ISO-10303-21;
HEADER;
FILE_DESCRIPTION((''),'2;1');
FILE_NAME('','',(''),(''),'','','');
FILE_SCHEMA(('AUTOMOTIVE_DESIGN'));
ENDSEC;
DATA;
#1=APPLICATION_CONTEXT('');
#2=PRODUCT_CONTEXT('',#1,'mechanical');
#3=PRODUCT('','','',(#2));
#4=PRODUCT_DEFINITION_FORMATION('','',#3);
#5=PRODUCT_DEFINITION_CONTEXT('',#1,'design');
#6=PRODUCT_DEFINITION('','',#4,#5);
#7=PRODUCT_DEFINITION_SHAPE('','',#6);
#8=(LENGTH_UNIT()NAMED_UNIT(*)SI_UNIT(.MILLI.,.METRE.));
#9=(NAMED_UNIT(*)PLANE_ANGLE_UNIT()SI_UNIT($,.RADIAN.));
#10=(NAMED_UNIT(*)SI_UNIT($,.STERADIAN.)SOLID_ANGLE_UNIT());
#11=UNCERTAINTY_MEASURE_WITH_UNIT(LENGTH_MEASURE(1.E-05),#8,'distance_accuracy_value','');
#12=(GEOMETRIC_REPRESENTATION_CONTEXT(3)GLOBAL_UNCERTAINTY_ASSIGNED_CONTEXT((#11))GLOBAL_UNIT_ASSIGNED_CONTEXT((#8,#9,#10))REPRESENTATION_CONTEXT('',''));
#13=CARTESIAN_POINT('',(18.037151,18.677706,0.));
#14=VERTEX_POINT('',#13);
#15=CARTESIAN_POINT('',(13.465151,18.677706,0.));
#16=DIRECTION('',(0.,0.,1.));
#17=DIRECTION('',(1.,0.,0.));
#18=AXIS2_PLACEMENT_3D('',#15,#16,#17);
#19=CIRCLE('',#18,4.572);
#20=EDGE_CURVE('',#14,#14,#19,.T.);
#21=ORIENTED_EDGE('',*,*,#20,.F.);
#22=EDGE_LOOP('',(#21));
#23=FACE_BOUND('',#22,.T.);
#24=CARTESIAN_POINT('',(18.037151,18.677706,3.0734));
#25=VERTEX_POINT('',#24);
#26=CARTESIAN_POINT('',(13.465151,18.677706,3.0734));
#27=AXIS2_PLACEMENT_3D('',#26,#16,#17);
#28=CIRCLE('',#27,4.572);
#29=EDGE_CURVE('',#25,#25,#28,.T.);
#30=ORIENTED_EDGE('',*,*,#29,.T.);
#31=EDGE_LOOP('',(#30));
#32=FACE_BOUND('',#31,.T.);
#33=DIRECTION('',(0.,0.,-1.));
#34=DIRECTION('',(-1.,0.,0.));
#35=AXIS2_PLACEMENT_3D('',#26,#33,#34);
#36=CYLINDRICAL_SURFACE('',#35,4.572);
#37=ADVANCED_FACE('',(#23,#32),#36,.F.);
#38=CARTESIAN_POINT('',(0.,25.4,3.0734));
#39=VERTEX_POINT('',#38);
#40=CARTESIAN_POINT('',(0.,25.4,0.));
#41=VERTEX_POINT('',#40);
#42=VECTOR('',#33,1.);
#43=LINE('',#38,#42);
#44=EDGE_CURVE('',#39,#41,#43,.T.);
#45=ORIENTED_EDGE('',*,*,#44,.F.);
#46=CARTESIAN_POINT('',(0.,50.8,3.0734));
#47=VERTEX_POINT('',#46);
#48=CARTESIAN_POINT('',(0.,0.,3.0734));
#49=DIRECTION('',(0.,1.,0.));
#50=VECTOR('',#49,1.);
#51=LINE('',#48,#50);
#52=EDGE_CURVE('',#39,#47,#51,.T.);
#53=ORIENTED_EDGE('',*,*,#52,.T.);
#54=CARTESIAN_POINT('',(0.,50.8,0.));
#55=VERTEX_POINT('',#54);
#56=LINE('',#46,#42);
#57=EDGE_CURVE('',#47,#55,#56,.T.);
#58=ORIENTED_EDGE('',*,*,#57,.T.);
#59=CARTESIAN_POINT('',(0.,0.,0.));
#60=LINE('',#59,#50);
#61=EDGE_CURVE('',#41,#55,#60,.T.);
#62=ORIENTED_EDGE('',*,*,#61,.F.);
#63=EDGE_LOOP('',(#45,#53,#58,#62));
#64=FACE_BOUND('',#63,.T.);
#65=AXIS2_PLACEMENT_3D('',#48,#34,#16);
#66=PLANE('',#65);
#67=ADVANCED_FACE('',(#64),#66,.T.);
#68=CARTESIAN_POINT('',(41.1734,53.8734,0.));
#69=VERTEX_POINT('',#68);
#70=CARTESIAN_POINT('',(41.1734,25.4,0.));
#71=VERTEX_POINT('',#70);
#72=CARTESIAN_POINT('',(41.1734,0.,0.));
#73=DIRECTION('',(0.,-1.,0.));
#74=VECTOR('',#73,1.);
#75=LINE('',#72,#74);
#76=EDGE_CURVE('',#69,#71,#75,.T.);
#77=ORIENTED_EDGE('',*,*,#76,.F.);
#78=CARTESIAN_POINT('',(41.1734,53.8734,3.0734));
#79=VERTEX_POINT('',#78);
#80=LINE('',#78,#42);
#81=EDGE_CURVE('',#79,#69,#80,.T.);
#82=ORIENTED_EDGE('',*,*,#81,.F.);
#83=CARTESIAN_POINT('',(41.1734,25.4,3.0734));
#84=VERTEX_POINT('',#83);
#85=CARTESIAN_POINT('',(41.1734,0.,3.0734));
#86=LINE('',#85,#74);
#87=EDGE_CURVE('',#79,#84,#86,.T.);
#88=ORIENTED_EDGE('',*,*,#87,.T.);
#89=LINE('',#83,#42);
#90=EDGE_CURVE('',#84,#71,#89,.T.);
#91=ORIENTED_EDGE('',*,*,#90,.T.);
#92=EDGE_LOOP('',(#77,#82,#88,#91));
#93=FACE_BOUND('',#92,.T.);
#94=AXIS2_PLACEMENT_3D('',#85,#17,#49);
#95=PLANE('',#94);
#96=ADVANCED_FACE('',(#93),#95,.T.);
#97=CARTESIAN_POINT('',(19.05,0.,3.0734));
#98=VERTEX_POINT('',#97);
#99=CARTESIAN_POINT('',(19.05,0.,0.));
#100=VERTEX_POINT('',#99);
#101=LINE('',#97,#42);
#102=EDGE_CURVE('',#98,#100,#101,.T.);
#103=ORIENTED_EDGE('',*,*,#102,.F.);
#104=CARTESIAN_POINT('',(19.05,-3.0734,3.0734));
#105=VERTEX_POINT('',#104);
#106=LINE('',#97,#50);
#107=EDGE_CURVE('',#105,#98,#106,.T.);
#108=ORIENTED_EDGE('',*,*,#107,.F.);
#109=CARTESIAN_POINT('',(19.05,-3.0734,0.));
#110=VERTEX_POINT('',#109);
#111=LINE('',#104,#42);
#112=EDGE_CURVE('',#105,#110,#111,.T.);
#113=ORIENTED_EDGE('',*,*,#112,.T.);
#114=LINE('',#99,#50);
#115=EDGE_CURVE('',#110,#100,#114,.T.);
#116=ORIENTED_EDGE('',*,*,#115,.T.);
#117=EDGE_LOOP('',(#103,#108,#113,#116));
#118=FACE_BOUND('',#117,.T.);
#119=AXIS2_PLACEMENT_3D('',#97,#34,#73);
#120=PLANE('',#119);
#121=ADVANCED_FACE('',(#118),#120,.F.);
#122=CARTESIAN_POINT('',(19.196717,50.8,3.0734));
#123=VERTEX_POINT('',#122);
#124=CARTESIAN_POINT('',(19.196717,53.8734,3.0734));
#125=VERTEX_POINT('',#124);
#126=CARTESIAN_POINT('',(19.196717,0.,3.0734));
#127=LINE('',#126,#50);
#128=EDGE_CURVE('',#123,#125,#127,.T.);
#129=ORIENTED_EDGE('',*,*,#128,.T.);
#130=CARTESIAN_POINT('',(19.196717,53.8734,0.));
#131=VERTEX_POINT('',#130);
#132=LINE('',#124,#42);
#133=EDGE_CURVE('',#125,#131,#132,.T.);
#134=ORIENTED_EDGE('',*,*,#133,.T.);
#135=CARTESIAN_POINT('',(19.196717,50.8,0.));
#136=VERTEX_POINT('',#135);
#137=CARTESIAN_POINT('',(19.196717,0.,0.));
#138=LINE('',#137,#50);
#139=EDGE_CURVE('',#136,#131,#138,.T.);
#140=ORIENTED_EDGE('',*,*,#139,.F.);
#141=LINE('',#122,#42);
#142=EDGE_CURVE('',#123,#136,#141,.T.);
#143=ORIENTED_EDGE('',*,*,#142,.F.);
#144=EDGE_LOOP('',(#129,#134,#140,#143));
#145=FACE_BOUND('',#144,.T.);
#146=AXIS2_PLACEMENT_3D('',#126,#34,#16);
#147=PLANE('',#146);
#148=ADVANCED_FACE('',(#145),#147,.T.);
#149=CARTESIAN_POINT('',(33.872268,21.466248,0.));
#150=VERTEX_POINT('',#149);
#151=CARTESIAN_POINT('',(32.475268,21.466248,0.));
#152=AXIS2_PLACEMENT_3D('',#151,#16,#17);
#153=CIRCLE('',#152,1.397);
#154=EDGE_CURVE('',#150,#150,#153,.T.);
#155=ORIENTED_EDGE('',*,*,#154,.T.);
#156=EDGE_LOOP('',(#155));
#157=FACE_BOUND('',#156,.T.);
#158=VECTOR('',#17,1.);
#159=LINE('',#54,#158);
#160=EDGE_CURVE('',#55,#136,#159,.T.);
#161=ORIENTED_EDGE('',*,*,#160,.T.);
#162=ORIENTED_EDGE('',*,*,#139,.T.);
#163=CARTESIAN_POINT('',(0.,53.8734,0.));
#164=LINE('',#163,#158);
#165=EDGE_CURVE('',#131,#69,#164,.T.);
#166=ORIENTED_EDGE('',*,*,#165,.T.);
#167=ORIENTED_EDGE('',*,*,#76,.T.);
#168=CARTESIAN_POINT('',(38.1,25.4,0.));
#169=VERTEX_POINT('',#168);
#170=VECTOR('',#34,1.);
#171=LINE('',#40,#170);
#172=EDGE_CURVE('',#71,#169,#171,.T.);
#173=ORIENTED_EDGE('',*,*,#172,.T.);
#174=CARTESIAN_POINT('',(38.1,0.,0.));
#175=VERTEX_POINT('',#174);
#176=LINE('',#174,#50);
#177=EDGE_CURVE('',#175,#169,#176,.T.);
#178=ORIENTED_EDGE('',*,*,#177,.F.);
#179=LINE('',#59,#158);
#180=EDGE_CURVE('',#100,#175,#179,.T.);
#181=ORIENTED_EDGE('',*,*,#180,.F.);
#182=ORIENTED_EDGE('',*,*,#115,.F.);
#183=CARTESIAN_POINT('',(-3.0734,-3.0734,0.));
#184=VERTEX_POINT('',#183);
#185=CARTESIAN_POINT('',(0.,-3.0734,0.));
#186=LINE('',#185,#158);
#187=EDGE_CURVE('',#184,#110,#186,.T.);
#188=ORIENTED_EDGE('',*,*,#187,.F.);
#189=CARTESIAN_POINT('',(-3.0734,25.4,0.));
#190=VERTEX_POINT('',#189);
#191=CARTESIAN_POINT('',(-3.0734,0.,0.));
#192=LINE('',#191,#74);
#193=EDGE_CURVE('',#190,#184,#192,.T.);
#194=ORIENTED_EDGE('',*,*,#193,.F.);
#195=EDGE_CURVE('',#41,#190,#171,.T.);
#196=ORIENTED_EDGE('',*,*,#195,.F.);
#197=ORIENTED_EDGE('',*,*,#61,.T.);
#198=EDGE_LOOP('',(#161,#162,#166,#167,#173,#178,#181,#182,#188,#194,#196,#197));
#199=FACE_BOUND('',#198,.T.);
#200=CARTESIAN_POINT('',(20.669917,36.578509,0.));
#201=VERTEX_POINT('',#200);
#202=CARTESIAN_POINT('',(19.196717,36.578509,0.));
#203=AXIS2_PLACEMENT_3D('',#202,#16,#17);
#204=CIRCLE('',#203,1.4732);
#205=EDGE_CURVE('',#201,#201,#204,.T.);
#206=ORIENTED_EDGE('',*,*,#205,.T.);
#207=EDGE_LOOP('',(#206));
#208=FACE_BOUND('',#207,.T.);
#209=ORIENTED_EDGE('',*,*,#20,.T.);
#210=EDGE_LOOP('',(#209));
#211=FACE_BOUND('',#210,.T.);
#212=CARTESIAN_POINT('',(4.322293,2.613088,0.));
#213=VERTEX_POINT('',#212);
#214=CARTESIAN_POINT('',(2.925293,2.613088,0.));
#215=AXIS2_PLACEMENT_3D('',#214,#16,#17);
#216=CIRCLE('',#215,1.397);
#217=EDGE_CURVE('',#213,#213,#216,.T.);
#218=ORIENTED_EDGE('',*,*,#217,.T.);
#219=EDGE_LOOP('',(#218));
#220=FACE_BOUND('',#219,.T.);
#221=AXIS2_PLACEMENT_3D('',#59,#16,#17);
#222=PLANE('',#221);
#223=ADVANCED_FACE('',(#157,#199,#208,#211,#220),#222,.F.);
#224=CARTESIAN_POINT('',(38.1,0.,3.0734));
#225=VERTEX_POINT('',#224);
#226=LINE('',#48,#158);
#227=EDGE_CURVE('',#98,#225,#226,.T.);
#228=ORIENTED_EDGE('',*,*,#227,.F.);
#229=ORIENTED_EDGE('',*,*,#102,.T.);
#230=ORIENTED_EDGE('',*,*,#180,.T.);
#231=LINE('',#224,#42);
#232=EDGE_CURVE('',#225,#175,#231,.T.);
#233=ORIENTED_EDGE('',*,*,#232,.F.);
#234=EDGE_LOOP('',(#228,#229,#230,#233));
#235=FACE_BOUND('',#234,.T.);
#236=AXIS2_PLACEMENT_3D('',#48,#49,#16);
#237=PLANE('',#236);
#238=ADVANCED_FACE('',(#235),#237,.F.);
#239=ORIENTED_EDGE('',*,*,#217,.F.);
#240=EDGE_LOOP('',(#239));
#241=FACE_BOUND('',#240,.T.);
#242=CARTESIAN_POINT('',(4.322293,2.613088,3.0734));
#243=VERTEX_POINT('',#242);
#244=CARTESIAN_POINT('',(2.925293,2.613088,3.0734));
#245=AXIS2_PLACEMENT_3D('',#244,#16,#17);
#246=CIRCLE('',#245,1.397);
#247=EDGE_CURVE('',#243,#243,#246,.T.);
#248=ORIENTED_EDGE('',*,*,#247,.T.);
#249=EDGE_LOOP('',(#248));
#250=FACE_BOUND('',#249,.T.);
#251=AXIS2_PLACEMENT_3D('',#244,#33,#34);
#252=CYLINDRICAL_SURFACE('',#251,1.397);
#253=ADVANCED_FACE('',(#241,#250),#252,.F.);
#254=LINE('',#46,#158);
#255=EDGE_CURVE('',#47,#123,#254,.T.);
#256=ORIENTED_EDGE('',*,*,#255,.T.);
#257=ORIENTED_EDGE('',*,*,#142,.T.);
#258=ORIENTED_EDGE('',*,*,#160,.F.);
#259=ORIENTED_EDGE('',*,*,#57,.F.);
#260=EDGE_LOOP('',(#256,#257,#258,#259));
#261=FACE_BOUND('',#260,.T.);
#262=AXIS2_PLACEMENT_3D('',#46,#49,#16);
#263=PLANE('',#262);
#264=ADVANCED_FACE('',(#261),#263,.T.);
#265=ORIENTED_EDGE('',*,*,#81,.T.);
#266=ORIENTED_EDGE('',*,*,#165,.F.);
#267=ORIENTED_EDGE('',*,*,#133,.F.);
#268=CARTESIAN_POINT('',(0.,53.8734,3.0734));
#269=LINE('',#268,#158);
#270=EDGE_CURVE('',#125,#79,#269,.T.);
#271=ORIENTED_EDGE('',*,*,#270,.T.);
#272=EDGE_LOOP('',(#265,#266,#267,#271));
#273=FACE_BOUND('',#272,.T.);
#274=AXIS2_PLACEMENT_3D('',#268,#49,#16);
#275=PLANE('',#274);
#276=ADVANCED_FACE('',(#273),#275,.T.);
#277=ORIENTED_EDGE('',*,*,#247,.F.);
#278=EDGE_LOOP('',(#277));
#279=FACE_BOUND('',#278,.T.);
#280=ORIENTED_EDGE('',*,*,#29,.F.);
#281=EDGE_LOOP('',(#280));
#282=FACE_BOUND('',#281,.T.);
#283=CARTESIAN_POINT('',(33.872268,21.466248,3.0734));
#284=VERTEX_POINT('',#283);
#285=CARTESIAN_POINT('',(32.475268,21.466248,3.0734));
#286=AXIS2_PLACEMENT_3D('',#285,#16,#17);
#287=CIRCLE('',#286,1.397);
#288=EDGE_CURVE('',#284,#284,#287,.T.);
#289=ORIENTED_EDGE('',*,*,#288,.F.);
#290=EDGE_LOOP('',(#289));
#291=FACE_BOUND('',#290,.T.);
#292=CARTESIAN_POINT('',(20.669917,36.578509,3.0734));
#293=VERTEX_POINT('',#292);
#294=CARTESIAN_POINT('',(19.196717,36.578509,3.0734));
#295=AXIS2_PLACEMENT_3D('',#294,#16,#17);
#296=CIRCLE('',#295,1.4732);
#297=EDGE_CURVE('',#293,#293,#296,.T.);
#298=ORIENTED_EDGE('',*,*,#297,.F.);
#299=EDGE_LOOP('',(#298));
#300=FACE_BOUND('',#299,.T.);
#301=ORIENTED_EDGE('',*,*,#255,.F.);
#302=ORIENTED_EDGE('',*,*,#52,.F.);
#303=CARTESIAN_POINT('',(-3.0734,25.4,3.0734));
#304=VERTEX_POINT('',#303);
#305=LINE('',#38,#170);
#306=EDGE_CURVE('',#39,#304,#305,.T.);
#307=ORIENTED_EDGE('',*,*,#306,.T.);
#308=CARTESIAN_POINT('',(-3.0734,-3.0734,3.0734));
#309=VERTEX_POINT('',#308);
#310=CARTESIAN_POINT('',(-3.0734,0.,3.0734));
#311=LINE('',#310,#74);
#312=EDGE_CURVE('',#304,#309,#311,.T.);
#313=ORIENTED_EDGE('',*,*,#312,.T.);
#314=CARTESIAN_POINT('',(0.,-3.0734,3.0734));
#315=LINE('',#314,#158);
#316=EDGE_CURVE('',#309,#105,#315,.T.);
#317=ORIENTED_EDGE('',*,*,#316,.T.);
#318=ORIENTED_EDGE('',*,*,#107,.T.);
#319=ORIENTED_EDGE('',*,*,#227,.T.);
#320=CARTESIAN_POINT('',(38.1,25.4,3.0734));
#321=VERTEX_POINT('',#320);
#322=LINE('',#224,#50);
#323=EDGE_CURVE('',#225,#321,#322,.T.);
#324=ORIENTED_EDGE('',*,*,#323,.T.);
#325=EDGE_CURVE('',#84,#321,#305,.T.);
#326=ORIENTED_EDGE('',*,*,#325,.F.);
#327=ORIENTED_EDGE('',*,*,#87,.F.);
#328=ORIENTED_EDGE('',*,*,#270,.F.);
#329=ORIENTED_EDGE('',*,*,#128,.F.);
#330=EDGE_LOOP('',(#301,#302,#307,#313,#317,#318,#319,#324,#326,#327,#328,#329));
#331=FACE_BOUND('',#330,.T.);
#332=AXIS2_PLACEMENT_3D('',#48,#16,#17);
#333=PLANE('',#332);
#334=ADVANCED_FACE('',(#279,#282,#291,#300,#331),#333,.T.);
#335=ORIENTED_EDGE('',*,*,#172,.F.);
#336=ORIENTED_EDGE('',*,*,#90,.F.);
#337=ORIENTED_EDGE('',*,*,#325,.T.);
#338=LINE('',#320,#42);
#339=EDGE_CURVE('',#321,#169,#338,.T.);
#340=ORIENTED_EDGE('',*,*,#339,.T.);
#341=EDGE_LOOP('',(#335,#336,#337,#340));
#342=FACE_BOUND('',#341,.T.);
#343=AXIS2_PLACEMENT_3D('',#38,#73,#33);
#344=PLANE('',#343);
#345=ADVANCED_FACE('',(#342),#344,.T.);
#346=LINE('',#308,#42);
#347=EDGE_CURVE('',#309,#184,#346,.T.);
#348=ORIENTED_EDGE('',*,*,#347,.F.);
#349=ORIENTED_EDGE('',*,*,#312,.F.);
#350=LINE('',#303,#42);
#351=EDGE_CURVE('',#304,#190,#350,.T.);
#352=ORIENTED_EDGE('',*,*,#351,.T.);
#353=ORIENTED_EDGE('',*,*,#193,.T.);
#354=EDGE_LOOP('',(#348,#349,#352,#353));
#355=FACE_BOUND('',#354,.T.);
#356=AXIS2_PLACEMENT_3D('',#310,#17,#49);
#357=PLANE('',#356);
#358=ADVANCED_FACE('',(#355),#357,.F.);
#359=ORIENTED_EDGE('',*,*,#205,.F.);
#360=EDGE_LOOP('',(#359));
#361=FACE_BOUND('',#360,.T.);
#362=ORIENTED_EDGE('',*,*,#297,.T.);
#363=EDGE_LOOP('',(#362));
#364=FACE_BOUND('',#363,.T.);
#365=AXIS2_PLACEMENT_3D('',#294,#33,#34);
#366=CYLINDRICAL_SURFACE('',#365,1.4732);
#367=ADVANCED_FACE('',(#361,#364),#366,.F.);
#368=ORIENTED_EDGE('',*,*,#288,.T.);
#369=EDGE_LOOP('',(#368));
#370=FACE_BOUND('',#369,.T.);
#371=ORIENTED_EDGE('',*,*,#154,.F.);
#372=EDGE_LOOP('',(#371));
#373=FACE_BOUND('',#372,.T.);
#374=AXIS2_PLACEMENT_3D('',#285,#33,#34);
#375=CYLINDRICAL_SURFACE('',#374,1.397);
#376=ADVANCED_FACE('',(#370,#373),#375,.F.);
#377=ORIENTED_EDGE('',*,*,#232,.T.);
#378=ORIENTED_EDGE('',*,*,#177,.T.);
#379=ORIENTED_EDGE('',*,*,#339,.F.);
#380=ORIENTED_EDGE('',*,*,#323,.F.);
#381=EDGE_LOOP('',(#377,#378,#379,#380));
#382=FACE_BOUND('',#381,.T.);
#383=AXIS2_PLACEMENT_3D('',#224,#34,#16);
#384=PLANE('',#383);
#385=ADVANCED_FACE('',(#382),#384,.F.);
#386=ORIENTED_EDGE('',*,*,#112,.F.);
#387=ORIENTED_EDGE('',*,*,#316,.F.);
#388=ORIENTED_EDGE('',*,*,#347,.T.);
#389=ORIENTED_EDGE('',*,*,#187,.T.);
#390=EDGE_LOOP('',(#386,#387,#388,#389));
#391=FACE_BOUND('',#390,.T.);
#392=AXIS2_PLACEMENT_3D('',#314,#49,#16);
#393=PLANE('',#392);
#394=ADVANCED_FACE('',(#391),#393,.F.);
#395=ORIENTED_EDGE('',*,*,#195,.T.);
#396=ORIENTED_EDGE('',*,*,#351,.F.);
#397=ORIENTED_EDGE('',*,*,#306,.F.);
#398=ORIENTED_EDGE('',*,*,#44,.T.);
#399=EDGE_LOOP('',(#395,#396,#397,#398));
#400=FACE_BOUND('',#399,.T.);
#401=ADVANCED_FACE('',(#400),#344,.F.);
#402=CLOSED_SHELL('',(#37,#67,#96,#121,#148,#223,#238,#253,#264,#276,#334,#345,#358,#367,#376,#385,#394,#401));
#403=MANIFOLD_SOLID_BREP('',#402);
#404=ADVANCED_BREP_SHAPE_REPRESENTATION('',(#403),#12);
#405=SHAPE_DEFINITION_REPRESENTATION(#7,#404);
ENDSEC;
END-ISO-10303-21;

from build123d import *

# Parameters (mm, degrees)
BACKSKETCH_W        = 38.1
BACKSKETCH_H        = 50.8
BACKSKETCH_R        = 1.4732
BACKSKETCH_R_2      = 4.572
BACKSKETCH_R_3      = 1.397
BOSS_EXTRUDE1_DEPTH = 3.0734


with BuildPart() as part:
    # backSketch → Boss-Extrude1 (new body)
    # profile 1 of 3: a face of its own
    with BuildSketch(Plane.XY):
        Polygon((38.1, 50.8), (38.1, 25.4), (41.1734, 25.4), (41.1734, 53.8734), (19.196716748, 53.8734), (19.196716748, 50.8), align=None)
    # profile 2 of 3: a face of its own
    with BuildSketch(Plane.XY):
        Polygon((19.05, 0), (0, 0), (0, 25.4), (-3.0734, 25.4), (-3.0734, -3.0734), (19.05, -3.0734), align=None)
    # profile 3 of 3: a face of its own
    with BuildSketch(Plane.XY):
        with Locations((19.05, 25.4)):
            Rectangle(BACKSKETCH_W, BACKSKETCH_H)
        with Locations((19.196716748, 36.578509469)):
            Circle(BACKSKETCH_R, mode=Mode.SUBTRACT)
        with Locations((13.465150567, 18.677705992)):
            Circle(BACKSKETCH_R_2, mode=Mode.SUBTRACT)
        with Locations((32.475268488, 21.466248377)):
            Circle(BACKSKETCH_R_3, mode=Mode.SUBTRACT)
        with Locations((2.925293214, 2.613087759)):
            Circle(BACKSKETCH_R_3, mode=Mode.SUBTRACT)
    extrude(amount=BOSS_EXTRUDE1_DEPTH)


solid = part.part
